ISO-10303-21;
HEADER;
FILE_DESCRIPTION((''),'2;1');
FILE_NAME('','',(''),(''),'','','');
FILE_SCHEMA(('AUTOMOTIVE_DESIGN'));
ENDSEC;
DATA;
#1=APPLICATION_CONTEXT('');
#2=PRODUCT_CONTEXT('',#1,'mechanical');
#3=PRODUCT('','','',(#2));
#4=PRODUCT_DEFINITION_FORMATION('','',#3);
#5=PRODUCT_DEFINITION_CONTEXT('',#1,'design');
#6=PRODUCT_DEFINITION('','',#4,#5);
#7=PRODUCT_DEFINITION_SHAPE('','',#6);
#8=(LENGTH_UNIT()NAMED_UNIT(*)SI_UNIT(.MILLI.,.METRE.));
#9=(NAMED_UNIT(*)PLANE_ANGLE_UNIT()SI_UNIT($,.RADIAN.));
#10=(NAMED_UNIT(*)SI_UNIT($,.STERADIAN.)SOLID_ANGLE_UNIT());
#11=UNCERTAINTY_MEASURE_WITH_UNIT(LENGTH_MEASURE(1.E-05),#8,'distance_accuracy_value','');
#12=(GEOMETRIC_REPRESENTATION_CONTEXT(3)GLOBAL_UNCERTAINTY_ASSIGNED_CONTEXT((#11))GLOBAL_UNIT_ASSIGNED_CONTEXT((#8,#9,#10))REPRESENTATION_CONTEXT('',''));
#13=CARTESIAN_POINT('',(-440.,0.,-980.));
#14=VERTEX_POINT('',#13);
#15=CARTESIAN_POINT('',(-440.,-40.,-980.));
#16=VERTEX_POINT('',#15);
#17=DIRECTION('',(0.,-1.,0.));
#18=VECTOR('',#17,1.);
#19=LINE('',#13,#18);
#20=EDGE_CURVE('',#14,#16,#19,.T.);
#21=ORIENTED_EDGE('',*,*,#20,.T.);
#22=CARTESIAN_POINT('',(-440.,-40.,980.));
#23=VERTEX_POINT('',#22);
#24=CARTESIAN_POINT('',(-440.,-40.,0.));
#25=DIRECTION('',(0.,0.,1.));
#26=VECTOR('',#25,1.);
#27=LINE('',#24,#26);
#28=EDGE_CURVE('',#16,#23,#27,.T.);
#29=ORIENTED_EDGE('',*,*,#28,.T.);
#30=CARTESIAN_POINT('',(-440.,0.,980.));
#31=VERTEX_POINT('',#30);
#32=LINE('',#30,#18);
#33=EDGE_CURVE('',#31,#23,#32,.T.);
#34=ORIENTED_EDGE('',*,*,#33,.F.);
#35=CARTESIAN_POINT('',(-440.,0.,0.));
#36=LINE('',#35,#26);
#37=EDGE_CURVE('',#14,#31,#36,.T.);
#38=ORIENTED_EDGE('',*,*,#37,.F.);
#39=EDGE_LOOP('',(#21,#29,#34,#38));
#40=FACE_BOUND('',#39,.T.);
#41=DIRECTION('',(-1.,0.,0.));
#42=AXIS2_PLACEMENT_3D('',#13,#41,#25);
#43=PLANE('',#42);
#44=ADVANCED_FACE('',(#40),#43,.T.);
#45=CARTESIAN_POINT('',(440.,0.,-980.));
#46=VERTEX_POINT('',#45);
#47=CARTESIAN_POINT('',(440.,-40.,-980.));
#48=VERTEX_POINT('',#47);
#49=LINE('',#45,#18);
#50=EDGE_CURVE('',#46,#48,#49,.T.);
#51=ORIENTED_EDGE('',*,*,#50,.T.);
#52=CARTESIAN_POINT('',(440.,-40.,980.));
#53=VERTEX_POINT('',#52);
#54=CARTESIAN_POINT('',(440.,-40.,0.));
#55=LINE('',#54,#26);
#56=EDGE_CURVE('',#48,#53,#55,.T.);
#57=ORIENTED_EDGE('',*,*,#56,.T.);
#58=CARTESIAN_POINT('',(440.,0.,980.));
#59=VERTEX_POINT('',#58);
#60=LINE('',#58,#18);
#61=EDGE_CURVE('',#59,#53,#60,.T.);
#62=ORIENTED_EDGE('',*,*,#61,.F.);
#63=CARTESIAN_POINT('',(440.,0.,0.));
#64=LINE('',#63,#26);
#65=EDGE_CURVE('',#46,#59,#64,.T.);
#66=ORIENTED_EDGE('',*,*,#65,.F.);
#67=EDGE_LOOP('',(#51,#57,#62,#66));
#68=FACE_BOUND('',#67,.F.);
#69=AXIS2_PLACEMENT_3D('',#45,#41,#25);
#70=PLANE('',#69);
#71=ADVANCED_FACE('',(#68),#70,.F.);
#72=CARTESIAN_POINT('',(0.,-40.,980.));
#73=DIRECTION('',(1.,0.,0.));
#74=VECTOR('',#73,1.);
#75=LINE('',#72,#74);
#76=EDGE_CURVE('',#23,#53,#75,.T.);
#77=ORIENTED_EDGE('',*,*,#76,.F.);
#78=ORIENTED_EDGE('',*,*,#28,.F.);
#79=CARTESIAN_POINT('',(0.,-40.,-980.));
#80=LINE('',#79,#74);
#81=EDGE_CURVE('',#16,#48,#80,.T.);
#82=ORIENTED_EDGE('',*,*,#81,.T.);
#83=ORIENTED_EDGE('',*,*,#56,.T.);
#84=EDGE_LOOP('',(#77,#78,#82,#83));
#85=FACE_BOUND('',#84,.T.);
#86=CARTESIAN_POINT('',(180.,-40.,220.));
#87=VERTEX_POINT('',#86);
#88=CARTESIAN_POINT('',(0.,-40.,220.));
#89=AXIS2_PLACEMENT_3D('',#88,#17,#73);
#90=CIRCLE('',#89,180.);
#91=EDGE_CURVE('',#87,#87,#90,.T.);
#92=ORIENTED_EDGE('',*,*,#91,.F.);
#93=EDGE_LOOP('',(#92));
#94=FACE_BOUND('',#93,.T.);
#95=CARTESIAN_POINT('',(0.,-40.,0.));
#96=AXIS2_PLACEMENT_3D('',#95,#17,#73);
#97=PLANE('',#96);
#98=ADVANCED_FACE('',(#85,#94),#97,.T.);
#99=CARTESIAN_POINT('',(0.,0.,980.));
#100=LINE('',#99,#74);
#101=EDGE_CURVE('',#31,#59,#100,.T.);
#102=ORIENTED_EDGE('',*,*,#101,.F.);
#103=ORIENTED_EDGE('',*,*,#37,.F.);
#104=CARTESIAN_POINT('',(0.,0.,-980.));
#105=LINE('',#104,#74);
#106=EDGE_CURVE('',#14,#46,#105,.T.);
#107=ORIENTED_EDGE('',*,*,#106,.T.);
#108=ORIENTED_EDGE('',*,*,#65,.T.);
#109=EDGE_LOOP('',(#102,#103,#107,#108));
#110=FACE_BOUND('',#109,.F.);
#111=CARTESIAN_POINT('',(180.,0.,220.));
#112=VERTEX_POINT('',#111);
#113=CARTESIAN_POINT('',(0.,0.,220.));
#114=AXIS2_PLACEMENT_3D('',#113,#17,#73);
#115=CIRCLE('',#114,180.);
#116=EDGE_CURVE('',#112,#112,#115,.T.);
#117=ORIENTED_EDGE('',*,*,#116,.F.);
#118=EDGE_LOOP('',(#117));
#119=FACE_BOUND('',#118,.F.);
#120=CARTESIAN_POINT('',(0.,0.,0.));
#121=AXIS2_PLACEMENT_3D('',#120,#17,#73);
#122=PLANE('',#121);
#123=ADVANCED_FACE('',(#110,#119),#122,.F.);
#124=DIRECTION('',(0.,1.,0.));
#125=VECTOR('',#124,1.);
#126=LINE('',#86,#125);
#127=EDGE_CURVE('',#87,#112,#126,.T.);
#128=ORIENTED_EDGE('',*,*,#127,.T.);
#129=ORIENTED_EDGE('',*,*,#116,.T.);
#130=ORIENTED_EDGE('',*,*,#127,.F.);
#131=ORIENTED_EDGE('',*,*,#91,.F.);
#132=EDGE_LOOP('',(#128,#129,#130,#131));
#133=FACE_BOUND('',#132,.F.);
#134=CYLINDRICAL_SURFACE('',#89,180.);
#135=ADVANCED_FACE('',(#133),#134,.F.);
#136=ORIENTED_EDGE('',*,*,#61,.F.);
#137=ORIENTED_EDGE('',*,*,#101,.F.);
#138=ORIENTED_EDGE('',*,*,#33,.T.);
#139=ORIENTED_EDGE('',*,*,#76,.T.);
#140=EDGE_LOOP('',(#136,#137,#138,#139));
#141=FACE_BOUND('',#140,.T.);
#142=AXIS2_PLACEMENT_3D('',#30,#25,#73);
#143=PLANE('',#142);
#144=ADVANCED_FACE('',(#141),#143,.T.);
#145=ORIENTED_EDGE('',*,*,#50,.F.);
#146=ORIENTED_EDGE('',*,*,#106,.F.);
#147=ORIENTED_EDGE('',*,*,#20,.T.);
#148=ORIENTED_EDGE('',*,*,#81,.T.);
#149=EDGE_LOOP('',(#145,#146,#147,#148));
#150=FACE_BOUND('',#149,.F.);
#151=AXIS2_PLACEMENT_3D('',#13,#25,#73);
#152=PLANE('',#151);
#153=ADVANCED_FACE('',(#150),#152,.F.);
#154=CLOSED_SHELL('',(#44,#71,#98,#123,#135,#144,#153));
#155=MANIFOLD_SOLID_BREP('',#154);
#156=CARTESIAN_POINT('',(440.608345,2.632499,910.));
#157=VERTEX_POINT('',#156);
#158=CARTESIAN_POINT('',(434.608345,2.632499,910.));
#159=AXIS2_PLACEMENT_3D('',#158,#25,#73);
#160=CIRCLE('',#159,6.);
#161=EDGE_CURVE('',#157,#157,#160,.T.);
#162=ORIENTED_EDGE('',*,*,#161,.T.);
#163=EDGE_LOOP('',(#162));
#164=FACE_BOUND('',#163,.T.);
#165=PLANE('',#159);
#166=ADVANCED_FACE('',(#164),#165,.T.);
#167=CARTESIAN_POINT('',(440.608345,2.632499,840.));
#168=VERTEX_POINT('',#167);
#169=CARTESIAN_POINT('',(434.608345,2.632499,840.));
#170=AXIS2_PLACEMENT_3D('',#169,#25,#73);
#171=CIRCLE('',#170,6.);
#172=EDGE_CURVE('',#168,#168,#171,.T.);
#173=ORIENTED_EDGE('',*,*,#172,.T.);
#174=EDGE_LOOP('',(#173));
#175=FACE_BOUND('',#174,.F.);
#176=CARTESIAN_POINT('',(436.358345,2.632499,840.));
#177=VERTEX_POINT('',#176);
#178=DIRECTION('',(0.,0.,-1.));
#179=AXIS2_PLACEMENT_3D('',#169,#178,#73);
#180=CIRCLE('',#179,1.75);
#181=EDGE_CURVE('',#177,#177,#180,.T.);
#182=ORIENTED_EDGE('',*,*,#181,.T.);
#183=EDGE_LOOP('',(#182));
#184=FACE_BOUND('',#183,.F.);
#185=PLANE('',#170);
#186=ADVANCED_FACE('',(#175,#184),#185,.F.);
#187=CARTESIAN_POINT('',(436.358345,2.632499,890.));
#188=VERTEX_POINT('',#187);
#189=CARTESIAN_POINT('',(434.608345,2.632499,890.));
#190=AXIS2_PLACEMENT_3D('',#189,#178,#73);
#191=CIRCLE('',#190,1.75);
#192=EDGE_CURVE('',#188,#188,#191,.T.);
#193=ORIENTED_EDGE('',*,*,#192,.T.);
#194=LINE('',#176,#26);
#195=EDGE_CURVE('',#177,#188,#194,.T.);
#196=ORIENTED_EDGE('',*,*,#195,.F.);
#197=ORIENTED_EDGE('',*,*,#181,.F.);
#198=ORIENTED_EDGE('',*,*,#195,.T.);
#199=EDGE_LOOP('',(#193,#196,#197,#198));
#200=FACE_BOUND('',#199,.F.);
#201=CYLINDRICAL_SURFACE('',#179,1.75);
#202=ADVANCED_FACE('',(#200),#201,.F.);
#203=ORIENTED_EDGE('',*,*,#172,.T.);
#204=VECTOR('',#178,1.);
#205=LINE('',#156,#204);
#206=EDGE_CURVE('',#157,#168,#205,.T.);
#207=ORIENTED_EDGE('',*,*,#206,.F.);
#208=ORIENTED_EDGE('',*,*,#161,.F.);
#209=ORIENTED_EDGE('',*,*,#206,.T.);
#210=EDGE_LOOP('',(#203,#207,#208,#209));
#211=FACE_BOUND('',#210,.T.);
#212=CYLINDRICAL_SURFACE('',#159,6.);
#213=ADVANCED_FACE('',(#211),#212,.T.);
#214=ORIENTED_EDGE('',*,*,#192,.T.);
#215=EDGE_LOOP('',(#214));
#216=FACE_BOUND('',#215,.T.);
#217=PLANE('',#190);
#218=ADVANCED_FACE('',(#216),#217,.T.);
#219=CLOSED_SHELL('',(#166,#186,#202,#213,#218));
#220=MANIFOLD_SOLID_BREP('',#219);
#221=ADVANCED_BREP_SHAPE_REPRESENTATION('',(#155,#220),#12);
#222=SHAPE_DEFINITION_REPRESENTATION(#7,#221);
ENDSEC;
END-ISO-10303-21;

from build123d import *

# Parameters (mm, degrees)
F0_W     = 880
F0_H     = 1960
F1_DEPTH = 40
F2_R     = 180
F3_DEPTH = 116.84
F5_R     = 6
F6_DEPTH = 70
F7_R     = 1.75
F8_DEPTH = 50


with BuildPart() as f1:
    # F0 (on Front) → F1 (new body)
    with BuildSketch(Plane.XZ):
        Rectangle(F0_W, F0_H)
    extrude(amount=F1_DEPTH)

    # F2 (on face) → F3 (cut)
    with BuildSketch(Plane.XZ.offset(40)):
        with Locations((0, 220)):
            Circle(F2_R)
    extrude(amount=-F3_DEPTH, mode=Mode.SUBTRACT)


with BuildPart() as f6:
    # F5 (on offset) → F6 (new body)
    with BuildSketch(Plane.XY.offset(910)):
        with Locations((434.6083445217, 2.6324990415)):
            Circle(F5_R)
    extrude(amount=-F6_DEPTH)

    # F7 (on face) → F8 (cut)
    with BuildSketch(Plane(origin=(0, 0, 840), x_dir=(1, 0, 0), z_dir=(0, 0, -1))):
        with Locations((434.6083445217, -2.6324990415)):
            Circle(F7_R)
    extrude(amount=-F8_DEPTH, mode=Mode.SUBTRACT)


solid = Compound([f1.part, f6.part])
